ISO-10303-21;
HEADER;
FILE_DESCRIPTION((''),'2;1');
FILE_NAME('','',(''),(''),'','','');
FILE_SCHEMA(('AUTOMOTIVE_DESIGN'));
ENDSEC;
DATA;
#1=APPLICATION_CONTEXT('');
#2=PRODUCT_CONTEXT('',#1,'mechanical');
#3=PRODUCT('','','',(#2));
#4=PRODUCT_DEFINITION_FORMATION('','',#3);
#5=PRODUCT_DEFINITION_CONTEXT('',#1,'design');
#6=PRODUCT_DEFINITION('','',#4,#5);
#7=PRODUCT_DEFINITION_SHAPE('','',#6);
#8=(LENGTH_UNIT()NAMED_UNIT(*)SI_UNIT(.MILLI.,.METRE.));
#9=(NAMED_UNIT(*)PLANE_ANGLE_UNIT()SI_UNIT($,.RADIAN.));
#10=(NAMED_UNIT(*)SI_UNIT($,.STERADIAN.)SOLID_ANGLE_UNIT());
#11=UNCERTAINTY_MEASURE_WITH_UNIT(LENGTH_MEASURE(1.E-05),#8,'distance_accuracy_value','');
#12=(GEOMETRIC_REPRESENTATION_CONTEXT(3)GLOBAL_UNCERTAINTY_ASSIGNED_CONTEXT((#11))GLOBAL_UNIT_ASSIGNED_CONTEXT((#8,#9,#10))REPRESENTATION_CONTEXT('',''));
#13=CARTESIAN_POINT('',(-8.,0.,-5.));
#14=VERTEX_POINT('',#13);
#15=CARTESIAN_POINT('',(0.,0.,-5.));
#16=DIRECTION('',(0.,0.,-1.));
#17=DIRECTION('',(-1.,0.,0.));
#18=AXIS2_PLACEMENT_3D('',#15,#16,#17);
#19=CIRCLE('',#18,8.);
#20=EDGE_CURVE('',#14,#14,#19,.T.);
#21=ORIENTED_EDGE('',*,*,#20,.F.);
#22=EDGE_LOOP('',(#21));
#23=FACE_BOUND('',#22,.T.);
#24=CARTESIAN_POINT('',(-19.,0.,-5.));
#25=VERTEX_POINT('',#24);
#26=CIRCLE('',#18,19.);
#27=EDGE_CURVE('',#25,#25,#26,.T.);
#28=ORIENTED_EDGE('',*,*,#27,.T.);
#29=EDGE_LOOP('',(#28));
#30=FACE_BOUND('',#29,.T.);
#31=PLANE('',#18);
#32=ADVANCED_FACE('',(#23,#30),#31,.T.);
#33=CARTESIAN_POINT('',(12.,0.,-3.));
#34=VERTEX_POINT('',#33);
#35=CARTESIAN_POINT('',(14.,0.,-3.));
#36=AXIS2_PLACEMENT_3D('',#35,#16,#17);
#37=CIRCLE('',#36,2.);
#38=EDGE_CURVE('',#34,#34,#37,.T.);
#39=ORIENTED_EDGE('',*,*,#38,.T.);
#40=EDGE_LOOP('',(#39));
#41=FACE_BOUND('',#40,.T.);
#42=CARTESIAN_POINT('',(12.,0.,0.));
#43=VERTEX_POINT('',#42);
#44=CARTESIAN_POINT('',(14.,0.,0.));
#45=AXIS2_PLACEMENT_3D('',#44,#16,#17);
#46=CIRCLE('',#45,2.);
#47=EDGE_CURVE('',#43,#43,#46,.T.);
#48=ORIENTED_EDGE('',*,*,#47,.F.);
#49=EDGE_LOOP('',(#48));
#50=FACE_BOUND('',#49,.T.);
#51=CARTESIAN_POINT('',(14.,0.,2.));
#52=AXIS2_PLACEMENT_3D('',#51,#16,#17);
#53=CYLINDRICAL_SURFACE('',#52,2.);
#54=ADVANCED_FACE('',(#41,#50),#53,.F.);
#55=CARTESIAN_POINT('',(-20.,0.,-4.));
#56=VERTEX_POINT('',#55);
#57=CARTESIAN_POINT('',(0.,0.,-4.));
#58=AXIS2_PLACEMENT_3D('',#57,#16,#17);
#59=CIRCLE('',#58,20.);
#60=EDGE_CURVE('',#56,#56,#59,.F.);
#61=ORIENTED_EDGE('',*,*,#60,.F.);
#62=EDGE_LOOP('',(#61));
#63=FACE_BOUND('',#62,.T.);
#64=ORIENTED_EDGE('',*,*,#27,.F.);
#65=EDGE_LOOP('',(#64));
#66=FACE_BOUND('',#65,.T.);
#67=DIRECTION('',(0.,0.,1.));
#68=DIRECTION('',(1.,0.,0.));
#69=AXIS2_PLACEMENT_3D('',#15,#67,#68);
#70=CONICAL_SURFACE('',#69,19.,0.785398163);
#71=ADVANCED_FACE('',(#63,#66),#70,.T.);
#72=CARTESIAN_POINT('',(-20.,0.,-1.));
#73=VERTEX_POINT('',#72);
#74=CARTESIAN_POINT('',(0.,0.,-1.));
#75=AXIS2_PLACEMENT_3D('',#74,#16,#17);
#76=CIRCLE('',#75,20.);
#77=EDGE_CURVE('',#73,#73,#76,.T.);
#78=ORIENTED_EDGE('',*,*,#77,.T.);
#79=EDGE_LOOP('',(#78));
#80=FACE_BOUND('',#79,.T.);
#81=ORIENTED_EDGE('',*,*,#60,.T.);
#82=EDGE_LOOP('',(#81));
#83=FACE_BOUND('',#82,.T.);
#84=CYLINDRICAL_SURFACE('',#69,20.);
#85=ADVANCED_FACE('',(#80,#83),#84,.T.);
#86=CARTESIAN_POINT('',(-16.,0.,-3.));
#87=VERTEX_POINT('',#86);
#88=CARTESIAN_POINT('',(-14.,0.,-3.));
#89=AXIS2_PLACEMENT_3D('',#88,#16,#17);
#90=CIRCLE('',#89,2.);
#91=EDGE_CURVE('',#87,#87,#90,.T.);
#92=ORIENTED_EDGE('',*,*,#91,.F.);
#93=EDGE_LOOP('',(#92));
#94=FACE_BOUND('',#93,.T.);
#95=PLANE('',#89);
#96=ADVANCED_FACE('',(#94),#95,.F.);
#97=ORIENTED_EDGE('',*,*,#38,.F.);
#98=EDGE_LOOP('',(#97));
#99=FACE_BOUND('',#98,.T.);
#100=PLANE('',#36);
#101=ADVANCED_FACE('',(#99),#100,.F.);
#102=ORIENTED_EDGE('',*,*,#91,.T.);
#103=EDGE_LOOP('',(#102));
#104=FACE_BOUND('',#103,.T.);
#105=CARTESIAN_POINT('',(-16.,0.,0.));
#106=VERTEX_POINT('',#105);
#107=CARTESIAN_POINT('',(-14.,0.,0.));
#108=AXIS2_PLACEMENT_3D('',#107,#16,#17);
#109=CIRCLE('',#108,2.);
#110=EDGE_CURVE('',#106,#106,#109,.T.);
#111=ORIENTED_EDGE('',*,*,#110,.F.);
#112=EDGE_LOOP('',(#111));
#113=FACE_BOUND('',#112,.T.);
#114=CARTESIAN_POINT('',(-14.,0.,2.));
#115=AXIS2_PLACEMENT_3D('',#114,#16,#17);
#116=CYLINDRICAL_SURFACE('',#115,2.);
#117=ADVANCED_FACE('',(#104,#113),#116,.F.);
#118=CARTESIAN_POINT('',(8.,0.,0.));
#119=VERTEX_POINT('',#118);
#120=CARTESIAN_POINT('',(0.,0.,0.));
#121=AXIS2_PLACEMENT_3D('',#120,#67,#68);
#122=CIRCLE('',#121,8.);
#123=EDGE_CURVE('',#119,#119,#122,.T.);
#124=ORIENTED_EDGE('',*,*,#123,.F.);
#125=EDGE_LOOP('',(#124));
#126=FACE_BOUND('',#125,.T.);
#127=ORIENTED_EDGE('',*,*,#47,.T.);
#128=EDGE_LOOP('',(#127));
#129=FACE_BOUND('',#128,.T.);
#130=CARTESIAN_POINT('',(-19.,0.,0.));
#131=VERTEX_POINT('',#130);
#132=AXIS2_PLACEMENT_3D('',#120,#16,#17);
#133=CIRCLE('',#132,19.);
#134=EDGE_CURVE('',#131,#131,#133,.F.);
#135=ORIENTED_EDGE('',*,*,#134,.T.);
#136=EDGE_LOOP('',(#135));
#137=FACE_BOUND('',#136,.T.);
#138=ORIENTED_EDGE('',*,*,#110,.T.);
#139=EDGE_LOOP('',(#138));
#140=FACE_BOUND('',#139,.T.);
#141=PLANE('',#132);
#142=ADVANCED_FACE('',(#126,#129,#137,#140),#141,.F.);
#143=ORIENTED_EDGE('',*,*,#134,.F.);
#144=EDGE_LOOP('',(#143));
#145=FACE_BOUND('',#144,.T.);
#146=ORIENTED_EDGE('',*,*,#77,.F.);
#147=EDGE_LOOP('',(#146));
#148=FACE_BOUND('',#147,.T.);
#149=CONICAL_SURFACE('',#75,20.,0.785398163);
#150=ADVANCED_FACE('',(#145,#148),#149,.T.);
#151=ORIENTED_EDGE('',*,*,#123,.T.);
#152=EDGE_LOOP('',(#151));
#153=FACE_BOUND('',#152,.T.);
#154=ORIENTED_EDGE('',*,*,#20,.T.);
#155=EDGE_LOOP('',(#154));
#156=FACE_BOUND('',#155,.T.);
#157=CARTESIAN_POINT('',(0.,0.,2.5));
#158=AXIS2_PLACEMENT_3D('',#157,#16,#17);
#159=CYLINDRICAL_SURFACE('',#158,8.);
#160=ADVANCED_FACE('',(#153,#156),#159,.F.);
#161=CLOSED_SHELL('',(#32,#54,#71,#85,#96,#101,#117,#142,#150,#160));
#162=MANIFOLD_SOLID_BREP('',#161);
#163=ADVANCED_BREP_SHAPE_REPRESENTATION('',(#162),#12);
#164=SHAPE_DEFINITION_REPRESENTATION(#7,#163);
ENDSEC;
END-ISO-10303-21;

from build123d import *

# Parameters (mm, degrees)
SKETCH1_R           = 12.5
SKETCH1_R_2         = 8
BOSS_EXTRUDE1_DEPTH = 2.5
SKETCH3_R           = 20
SKETCH3_R_2         = 8
BOSS_EXTRUDE3_DEPTH = 5
CHAMFER2_SIZE       = 1
SKETCH5_R           = 12.5
CUT_EXTRUDE1_DEPTH  = 10
CUT_EXTRUDE2_START  = -2
SKETCH6_R           = 2
CUT_EXTRUDE2_DEPTH  = 5


with BuildPart() as part:
    # Sketch1 → Boss-Extrude1 (new body)
    with BuildSketch(Plane.XY):
        Circle(SKETCH1_R)
        Circle(SKETCH1_R_2, mode=Mode.SUBTRACT)
    extrude(amount=BOSS_EXTRUDE1_DEPTH)

    # Sketch3 → Boss-Extrude3 (add)
    with BuildSketch(Plane(origin=(0, 0, 0), x_dir=(-1, 0, 0), z_dir=(0, 0, -1))):
        Circle(SKETCH3_R)
        Circle(SKETCH3_R_2, mode=Mode.SUBTRACT)
    extrude(amount=BOSS_EXTRUDE3_DEPTH)

    # Chamfer2
    chamfer2_edges = [part.edges().sort_by_distance(p)[0] for p in [
        (20, 0, 0),
        (20, 0, -5),
    ]]
    chamfer(chamfer2_edges, length=CHAMFER2_SIZE)

    # Sketch5 → Cut-Extrude1 (cut)
    with BuildSketch(Plane.XY):
        Circle(SKETCH5_R)
    extrude(amount=CUT_EXTRUDE1_DEPTH, mode=Mode.SUBTRACT)

    # Sketch6 → Cut-Extrude2 (cut)
    with BuildSketch(Plane(origin=(0, 0, -5), x_dir=(-1, 0, 0), z_dir=(0, 0, -1)).offset(CUT_EXTRUDE2_START)):
        with Locations((14, 0)):
            Circle(SKETCH6_R)
        with Locations((-14, 0)):
            Circle(SKETCH6_R)
    extrude(amount=-CUT_EXTRUDE2_DEPTH, mode=Mode.SUBTRACT)


solid = part.part
